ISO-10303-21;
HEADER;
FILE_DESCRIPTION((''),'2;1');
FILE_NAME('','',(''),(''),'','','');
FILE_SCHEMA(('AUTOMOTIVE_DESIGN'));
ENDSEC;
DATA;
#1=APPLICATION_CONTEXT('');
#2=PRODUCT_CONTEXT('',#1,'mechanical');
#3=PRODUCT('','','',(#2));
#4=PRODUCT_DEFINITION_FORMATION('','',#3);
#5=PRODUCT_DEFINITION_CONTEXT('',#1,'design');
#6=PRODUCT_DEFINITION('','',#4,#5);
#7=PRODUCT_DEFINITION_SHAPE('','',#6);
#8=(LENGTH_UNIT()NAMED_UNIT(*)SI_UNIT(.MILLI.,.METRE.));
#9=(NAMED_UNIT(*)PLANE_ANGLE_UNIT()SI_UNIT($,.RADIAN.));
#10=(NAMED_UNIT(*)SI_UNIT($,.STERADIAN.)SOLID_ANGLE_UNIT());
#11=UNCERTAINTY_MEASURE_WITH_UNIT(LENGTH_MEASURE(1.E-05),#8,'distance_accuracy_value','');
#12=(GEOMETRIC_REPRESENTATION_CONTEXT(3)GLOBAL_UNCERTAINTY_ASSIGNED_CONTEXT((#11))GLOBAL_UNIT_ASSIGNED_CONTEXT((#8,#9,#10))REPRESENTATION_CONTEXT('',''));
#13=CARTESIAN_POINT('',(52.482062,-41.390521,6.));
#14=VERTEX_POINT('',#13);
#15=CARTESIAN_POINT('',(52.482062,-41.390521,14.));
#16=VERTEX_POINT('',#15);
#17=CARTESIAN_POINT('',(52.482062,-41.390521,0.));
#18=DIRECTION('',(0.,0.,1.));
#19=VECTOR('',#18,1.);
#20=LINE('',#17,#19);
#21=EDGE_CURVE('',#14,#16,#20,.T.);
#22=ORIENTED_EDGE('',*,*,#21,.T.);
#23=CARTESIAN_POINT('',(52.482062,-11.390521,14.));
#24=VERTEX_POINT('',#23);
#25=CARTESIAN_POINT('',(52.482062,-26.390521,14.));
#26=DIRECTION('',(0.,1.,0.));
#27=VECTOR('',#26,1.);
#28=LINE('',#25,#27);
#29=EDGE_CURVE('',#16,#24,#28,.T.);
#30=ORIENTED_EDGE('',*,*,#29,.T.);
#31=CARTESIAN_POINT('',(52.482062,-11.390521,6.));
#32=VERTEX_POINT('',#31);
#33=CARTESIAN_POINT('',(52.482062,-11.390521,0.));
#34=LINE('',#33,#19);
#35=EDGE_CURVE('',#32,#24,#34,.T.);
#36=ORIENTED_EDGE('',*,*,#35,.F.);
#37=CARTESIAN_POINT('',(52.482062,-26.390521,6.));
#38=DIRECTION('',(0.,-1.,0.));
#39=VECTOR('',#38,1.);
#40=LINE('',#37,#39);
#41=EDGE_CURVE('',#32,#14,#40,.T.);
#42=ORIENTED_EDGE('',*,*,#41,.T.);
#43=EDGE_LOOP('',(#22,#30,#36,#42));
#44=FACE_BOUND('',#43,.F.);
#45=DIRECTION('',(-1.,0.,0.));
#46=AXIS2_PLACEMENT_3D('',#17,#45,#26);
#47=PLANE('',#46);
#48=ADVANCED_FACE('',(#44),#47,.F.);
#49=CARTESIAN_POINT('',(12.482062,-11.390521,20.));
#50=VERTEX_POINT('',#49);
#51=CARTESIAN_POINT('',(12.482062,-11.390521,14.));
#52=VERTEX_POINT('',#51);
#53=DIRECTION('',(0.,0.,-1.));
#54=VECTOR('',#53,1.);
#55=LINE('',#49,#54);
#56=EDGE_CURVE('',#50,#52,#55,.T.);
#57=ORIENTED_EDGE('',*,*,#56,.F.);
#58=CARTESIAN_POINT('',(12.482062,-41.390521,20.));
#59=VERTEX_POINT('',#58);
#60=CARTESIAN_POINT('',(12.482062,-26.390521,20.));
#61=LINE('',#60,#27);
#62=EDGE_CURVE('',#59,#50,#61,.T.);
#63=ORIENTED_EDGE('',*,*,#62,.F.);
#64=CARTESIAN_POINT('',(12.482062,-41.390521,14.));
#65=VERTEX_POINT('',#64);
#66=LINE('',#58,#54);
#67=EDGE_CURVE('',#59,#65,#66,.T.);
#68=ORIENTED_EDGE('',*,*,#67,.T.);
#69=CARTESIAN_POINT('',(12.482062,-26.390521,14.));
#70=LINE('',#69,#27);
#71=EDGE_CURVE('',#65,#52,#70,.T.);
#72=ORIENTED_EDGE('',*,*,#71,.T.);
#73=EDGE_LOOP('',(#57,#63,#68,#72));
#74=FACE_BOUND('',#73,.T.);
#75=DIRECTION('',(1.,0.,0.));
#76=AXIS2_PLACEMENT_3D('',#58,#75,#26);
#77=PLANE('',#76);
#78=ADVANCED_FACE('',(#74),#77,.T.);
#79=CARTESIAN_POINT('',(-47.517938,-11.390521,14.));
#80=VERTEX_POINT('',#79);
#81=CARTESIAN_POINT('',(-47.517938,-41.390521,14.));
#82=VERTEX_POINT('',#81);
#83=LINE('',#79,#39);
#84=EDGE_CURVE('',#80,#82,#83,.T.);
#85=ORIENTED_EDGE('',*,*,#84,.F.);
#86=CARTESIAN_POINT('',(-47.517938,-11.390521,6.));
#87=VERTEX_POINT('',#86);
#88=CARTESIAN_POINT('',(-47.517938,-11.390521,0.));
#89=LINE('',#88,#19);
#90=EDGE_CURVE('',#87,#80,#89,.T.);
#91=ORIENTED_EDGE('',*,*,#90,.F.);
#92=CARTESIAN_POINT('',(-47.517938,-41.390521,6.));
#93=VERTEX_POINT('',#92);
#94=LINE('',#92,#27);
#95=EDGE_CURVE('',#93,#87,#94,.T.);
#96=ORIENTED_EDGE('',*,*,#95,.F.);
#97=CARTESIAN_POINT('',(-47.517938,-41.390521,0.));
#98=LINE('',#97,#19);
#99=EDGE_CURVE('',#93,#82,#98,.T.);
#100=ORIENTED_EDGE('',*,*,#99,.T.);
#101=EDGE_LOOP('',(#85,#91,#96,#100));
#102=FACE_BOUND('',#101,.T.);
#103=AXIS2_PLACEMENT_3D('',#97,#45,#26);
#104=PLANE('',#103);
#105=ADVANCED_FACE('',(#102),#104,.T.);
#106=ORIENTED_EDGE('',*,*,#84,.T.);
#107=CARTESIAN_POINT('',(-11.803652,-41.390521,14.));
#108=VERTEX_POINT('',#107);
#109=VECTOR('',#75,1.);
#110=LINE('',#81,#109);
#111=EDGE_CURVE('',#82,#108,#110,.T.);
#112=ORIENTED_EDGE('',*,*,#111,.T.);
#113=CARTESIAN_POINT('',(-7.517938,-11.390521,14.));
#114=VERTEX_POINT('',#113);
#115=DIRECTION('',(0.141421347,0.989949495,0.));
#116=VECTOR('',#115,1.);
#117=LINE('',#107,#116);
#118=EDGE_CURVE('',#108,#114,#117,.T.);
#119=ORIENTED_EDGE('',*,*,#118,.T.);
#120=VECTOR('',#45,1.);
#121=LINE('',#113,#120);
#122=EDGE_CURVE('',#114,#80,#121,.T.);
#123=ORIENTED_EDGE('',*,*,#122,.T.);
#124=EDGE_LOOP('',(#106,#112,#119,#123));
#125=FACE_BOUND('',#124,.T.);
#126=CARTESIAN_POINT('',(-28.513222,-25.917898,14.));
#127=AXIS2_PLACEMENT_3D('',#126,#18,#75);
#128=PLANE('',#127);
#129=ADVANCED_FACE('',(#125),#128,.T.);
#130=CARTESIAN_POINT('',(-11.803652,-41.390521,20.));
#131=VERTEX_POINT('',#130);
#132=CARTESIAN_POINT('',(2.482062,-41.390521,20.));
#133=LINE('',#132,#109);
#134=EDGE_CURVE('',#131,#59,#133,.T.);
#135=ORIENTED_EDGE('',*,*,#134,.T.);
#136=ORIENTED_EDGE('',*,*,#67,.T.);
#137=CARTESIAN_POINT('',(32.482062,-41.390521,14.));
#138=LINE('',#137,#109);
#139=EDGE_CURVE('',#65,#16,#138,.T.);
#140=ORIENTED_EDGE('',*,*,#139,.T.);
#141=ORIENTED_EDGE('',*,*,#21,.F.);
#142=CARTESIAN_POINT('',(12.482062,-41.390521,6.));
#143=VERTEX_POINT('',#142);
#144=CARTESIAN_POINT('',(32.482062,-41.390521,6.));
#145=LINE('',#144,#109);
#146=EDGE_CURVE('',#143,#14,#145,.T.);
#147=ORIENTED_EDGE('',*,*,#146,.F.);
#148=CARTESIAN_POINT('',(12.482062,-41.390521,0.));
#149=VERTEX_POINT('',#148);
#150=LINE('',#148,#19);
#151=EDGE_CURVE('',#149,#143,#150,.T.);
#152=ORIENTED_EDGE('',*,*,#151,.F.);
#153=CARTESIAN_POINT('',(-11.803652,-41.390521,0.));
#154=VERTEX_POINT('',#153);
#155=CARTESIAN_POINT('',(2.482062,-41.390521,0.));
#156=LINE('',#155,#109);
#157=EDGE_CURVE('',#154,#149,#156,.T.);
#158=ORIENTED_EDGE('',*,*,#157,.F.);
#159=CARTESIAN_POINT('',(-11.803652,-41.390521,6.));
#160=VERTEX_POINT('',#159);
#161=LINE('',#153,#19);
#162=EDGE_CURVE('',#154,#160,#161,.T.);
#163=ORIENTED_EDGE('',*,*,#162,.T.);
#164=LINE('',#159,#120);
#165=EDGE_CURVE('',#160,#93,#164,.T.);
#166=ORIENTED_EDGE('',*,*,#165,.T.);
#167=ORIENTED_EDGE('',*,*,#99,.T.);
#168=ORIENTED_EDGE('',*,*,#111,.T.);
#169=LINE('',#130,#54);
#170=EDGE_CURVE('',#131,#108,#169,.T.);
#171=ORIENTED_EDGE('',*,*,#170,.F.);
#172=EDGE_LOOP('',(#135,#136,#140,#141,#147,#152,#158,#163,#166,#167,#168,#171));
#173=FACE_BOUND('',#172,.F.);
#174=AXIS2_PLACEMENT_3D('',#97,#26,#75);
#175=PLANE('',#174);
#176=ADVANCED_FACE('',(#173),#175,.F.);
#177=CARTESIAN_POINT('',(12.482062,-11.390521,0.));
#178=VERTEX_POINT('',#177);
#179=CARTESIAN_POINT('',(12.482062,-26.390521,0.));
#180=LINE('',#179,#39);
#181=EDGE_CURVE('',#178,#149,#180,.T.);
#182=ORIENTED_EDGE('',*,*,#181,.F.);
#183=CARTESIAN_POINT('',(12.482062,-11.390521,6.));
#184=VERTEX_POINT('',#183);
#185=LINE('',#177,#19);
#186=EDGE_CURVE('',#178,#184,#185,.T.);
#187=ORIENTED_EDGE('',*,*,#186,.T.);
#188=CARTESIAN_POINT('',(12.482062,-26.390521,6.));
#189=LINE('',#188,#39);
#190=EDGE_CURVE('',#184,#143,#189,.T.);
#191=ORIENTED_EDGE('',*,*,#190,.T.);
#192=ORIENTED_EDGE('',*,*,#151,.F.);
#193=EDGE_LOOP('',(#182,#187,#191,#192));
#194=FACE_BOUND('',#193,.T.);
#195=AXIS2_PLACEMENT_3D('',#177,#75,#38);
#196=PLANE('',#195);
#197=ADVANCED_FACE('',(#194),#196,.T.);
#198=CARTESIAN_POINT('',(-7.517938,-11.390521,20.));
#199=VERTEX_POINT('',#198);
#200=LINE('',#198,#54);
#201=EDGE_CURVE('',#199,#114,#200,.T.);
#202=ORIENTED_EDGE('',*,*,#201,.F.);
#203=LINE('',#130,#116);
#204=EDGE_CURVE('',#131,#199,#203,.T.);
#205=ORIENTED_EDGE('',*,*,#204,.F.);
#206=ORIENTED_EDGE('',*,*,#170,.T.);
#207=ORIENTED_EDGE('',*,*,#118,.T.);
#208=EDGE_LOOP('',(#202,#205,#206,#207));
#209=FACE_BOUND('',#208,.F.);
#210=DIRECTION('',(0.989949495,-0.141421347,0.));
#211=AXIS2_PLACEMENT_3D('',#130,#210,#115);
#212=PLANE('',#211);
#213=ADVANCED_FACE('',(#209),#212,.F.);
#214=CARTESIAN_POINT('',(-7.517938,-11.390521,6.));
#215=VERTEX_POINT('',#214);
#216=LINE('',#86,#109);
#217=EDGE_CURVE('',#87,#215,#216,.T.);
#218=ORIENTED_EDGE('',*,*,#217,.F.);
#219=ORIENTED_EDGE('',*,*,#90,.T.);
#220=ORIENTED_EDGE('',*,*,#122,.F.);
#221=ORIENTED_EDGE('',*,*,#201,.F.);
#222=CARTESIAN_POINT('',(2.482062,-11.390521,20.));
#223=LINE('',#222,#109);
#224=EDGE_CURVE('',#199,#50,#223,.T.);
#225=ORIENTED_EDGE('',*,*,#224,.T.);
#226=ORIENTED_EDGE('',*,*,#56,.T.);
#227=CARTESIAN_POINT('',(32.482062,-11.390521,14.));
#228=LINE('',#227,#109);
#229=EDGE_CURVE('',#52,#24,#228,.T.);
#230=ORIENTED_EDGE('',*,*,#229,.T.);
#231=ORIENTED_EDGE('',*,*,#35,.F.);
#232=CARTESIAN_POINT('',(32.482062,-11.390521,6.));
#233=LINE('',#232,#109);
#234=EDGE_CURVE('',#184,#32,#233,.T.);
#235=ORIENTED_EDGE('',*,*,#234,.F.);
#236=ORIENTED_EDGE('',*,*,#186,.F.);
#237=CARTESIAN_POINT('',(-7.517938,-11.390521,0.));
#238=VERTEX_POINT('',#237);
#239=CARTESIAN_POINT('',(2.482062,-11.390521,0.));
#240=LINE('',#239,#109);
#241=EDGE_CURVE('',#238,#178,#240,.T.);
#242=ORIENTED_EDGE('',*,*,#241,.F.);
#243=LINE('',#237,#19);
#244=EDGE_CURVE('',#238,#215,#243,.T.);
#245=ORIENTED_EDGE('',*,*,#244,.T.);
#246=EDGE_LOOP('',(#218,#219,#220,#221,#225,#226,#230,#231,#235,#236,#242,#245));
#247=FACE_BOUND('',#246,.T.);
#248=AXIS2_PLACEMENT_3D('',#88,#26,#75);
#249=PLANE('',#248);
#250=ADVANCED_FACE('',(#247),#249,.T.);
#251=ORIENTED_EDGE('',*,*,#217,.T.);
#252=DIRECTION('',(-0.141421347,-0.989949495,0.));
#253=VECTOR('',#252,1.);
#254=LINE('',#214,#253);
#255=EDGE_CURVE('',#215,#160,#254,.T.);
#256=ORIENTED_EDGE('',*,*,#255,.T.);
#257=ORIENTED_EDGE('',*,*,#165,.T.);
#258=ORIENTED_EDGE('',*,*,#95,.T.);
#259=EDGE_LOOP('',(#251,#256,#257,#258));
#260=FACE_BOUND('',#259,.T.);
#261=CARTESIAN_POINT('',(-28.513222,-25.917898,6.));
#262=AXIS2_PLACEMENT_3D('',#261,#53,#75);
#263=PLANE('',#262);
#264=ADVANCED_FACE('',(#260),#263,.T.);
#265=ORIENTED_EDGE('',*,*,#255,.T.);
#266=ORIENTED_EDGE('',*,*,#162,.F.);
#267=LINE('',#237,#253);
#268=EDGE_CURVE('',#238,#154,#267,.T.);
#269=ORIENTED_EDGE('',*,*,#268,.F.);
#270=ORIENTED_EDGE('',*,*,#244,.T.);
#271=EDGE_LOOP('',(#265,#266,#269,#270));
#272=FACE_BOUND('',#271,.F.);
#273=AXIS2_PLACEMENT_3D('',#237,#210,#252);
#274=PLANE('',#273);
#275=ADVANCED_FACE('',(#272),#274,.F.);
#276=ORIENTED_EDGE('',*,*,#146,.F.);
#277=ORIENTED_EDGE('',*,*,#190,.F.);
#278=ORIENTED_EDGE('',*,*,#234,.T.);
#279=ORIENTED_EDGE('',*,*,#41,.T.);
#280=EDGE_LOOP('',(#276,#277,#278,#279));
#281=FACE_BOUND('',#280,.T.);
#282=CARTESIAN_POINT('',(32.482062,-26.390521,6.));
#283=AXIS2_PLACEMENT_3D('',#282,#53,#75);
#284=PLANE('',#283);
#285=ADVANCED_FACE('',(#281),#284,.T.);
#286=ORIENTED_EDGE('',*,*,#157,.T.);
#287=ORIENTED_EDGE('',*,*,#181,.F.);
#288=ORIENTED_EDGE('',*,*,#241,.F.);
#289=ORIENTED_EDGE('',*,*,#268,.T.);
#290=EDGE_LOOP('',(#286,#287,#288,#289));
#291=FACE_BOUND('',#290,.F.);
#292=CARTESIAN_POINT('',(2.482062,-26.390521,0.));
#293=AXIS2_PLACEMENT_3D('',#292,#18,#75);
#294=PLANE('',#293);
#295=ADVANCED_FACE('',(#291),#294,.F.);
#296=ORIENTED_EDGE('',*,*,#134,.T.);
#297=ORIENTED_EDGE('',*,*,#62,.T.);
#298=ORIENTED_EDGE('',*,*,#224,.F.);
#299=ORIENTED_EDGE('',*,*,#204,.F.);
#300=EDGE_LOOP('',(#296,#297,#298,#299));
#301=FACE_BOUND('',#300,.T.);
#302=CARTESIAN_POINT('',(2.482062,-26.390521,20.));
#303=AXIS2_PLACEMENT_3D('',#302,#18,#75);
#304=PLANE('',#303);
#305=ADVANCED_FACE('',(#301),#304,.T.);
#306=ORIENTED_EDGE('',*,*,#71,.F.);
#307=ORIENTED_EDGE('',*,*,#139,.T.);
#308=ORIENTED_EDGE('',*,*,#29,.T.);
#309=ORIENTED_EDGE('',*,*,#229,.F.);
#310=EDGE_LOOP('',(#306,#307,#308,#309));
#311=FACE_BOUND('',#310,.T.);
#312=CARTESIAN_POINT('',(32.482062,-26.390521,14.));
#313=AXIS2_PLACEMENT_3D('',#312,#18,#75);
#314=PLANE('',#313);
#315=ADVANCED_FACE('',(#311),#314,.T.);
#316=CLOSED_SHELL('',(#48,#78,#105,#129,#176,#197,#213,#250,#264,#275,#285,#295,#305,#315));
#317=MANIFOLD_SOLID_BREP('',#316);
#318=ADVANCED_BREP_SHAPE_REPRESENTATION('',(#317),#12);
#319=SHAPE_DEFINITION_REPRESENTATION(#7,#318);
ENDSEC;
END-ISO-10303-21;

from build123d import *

# Parameters (mm, degrees)
F0_W     = 100
F0_H     = 30
F1_DEPTH = 20
F2_W     = 40
F2_H     = 30
F3_DEPTH = 6
F4_W     = 40
F4_H     = 30
F5_DEPTH = 6


with BuildPart() as f1:
    # F0 (on Top) → F1 (new body)
    with BuildSketch(Plane.XY):
        with Locations((2.482062, -26.390521)):
            Rectangle(F0_W, F0_H)
    extrude(amount=F1_DEPTH)

    # F2 (on face) → F3 (cut)
    with BuildSketch(Plane.XY.offset(20)):
        Polygon((-11.803652, -41.390521), (-7.517938, -11.390521), (-47.517938, -11.390521), (-47.517938, -41.390521), align=None)
        with Locations((32.482062, -26.390521)):
            Rectangle(F2_W, F2_H)
    extrude(amount=-F3_DEPTH, mode=Mode.SUBTRACT)

    # F4 (on face) → F5 (cut)
    with BuildSketch(Plane(origin=(0, 0, 0), x_dir=(1, 0, 0), z_dir=(0, 0, -1))):
        Polygon((-7.517938, 11.390521), (-11.803652, 41.390521), (-47.517938, 41.390521), (-47.517938, 11.390521), align=None)
        with Locations((32.482062, 26.390521)):
            Rectangle(F4_W, F4_H)
    extrude(amount=-F5_DEPTH, mode=Mode.SUBTRACT)


solid = f1.part
